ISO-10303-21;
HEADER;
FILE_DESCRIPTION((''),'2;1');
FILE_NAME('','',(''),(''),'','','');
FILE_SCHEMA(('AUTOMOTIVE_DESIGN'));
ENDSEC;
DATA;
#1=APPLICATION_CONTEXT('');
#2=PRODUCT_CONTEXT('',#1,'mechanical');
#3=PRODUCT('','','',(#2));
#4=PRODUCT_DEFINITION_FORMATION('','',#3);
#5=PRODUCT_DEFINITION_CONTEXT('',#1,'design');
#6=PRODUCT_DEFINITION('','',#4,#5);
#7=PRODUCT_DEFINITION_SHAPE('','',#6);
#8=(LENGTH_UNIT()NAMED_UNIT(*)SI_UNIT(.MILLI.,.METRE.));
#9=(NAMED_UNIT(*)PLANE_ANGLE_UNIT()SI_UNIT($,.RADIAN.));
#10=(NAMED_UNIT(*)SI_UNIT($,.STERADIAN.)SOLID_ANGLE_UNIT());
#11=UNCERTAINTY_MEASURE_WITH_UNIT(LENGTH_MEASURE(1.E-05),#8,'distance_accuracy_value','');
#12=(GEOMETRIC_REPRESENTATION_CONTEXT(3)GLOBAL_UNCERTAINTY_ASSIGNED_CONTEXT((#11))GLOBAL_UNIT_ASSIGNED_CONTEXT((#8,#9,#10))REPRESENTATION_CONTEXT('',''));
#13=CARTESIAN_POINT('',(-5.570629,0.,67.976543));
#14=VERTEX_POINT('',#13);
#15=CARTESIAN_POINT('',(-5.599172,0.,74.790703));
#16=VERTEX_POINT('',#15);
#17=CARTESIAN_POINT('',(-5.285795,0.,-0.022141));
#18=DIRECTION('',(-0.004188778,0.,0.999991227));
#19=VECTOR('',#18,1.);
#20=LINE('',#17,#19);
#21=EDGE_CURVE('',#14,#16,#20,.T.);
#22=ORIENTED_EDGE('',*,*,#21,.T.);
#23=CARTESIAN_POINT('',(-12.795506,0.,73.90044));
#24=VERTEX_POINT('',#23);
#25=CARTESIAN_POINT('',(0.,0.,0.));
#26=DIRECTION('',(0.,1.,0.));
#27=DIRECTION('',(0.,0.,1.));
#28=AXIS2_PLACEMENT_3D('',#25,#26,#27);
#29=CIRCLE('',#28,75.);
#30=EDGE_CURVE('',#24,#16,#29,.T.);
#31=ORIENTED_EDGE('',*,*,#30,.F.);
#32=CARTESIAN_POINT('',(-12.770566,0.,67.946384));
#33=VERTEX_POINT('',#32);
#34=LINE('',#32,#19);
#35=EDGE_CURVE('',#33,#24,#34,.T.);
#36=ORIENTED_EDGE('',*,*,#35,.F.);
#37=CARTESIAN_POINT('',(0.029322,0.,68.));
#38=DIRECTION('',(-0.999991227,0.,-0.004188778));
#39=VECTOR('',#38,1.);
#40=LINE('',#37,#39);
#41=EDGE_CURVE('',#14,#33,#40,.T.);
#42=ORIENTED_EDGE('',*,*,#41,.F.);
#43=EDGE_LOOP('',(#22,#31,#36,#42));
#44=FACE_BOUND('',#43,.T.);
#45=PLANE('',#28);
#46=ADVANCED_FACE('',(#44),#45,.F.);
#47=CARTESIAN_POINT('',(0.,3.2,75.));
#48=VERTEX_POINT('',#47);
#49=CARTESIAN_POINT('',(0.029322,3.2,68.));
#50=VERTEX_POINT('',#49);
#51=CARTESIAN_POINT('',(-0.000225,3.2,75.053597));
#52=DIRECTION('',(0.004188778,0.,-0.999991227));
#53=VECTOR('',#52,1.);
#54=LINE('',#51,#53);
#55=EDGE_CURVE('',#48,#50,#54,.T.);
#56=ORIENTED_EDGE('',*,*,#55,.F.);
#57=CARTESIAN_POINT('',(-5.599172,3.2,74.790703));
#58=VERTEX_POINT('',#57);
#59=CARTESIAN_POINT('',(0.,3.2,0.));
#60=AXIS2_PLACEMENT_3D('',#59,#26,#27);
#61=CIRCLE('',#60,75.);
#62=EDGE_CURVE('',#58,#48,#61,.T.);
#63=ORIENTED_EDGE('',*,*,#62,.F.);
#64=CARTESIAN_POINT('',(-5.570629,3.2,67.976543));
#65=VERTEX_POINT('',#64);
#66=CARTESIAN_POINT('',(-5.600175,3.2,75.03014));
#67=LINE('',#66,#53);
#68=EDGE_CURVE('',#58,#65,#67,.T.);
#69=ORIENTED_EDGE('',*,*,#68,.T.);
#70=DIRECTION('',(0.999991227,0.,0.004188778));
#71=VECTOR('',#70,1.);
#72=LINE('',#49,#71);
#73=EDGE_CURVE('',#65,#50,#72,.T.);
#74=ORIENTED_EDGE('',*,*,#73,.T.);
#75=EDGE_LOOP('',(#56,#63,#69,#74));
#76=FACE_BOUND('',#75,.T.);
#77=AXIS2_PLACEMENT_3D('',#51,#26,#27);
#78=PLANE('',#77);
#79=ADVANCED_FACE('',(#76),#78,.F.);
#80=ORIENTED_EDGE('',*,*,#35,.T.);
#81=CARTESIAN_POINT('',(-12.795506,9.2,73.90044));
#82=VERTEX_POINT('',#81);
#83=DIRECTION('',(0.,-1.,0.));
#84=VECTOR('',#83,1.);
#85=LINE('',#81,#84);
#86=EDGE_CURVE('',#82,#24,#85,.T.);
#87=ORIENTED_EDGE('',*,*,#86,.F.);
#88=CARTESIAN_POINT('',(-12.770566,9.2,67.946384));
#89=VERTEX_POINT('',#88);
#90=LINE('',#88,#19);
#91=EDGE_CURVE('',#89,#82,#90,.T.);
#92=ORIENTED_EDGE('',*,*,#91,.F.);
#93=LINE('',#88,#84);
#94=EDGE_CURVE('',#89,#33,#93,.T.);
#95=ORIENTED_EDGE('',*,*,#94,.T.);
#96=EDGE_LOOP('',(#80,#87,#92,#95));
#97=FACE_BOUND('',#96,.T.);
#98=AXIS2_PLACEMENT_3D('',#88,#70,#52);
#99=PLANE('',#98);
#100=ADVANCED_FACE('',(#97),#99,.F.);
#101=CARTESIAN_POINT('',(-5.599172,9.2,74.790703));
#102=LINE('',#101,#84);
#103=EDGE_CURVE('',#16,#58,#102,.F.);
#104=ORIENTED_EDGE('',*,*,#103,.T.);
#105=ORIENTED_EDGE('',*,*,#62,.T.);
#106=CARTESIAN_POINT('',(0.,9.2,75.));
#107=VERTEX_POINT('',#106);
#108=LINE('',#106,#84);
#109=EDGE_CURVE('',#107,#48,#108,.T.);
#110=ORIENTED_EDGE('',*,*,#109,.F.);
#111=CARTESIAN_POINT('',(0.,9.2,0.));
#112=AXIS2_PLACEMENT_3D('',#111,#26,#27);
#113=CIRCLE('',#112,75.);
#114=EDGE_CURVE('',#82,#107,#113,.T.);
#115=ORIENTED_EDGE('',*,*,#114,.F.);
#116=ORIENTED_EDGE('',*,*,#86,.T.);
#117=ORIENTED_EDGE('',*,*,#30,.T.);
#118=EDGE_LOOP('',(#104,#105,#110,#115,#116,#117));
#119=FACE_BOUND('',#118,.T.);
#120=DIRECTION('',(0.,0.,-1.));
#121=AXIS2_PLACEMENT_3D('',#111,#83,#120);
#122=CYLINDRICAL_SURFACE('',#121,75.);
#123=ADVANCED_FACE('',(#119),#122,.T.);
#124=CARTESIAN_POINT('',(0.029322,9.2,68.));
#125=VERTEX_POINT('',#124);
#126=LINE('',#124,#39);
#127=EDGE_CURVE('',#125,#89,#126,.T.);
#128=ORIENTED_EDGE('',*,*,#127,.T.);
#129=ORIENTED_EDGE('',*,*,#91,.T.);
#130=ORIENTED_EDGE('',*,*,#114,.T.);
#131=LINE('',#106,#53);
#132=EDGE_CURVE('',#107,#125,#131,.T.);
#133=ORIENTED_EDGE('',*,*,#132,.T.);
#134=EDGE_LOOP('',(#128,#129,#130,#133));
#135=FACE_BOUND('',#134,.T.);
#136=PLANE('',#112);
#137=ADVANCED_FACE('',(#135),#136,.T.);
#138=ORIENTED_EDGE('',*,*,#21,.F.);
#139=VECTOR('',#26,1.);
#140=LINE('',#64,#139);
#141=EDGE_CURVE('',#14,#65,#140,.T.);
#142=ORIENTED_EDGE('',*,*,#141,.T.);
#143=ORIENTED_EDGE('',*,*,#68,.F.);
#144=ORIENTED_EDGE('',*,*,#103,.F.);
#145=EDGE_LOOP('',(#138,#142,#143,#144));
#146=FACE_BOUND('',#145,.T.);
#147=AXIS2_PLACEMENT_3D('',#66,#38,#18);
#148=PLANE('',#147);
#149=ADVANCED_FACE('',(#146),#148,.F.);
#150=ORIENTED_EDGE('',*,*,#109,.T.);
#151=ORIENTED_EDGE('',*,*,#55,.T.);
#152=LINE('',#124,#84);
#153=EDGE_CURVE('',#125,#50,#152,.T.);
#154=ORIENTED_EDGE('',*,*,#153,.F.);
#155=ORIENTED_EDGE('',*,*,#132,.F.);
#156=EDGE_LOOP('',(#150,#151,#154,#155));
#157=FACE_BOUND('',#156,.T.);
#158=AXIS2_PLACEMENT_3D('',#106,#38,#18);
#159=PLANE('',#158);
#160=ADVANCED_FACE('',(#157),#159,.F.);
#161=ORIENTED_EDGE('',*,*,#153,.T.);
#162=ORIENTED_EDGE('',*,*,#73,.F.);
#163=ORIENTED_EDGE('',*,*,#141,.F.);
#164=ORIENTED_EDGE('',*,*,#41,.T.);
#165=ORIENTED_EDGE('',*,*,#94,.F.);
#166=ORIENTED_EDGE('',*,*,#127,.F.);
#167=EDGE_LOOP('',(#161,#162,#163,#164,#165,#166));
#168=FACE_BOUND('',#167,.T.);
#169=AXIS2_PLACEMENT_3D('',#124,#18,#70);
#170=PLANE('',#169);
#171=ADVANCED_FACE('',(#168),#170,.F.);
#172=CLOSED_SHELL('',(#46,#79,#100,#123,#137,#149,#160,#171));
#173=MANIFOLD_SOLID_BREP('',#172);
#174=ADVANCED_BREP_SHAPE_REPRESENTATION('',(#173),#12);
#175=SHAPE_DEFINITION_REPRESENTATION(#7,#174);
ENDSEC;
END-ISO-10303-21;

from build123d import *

# Parameters (mm, degrees)
BLOCO_DEPTH            = 9.2
ESBO_O3_W              = 5.6
ESBO_O3_H              = 3.2
RASGO_DO_ENCAIXE_DEPTH = 18.034534118


with BuildPart() as part:
    # Esboço1 → Bloco (new body)
    with BuildSketch(Plane(origin=(0, 0, 0), x_dir=(1, 0, 0), z_dir=(0, 1, 0))):
        with BuildLine():
            Line((0, -75), (0.029321703, -68))
            Line((0.029321703, -68), (-12.770566003, -67.946383642))
            Line((-12.770566003, -67.946383642), (-12.795506441, -73.900439883))
            ThreePointArc((-12.795506441, -73.900439883), (-6.421331979, -74.724604352), (0, -75))
        make_face()
    extrude(amount=BLOCO_DEPTH)

    # Esboço3 → Rasgo do Encaixe (cut, through all)
    with BuildSketch(Plane(origin=(-0.284833888, 0, 67.99868406), x_dir=(-0.9999912270311377, 0, -0.0041887779553967395), z_dir=(0.0041887779553967395, 0, -0.9999912270311377))):
        with Locations((2.485841653, 1.6)):
            Rectangle(ESBO_O3_W, ESBO_O3_H)
    extrude(amount=-RASGO_DO_ENCAIXE_DEPTH, mode=Mode.SUBTRACT)


solid = part.part
